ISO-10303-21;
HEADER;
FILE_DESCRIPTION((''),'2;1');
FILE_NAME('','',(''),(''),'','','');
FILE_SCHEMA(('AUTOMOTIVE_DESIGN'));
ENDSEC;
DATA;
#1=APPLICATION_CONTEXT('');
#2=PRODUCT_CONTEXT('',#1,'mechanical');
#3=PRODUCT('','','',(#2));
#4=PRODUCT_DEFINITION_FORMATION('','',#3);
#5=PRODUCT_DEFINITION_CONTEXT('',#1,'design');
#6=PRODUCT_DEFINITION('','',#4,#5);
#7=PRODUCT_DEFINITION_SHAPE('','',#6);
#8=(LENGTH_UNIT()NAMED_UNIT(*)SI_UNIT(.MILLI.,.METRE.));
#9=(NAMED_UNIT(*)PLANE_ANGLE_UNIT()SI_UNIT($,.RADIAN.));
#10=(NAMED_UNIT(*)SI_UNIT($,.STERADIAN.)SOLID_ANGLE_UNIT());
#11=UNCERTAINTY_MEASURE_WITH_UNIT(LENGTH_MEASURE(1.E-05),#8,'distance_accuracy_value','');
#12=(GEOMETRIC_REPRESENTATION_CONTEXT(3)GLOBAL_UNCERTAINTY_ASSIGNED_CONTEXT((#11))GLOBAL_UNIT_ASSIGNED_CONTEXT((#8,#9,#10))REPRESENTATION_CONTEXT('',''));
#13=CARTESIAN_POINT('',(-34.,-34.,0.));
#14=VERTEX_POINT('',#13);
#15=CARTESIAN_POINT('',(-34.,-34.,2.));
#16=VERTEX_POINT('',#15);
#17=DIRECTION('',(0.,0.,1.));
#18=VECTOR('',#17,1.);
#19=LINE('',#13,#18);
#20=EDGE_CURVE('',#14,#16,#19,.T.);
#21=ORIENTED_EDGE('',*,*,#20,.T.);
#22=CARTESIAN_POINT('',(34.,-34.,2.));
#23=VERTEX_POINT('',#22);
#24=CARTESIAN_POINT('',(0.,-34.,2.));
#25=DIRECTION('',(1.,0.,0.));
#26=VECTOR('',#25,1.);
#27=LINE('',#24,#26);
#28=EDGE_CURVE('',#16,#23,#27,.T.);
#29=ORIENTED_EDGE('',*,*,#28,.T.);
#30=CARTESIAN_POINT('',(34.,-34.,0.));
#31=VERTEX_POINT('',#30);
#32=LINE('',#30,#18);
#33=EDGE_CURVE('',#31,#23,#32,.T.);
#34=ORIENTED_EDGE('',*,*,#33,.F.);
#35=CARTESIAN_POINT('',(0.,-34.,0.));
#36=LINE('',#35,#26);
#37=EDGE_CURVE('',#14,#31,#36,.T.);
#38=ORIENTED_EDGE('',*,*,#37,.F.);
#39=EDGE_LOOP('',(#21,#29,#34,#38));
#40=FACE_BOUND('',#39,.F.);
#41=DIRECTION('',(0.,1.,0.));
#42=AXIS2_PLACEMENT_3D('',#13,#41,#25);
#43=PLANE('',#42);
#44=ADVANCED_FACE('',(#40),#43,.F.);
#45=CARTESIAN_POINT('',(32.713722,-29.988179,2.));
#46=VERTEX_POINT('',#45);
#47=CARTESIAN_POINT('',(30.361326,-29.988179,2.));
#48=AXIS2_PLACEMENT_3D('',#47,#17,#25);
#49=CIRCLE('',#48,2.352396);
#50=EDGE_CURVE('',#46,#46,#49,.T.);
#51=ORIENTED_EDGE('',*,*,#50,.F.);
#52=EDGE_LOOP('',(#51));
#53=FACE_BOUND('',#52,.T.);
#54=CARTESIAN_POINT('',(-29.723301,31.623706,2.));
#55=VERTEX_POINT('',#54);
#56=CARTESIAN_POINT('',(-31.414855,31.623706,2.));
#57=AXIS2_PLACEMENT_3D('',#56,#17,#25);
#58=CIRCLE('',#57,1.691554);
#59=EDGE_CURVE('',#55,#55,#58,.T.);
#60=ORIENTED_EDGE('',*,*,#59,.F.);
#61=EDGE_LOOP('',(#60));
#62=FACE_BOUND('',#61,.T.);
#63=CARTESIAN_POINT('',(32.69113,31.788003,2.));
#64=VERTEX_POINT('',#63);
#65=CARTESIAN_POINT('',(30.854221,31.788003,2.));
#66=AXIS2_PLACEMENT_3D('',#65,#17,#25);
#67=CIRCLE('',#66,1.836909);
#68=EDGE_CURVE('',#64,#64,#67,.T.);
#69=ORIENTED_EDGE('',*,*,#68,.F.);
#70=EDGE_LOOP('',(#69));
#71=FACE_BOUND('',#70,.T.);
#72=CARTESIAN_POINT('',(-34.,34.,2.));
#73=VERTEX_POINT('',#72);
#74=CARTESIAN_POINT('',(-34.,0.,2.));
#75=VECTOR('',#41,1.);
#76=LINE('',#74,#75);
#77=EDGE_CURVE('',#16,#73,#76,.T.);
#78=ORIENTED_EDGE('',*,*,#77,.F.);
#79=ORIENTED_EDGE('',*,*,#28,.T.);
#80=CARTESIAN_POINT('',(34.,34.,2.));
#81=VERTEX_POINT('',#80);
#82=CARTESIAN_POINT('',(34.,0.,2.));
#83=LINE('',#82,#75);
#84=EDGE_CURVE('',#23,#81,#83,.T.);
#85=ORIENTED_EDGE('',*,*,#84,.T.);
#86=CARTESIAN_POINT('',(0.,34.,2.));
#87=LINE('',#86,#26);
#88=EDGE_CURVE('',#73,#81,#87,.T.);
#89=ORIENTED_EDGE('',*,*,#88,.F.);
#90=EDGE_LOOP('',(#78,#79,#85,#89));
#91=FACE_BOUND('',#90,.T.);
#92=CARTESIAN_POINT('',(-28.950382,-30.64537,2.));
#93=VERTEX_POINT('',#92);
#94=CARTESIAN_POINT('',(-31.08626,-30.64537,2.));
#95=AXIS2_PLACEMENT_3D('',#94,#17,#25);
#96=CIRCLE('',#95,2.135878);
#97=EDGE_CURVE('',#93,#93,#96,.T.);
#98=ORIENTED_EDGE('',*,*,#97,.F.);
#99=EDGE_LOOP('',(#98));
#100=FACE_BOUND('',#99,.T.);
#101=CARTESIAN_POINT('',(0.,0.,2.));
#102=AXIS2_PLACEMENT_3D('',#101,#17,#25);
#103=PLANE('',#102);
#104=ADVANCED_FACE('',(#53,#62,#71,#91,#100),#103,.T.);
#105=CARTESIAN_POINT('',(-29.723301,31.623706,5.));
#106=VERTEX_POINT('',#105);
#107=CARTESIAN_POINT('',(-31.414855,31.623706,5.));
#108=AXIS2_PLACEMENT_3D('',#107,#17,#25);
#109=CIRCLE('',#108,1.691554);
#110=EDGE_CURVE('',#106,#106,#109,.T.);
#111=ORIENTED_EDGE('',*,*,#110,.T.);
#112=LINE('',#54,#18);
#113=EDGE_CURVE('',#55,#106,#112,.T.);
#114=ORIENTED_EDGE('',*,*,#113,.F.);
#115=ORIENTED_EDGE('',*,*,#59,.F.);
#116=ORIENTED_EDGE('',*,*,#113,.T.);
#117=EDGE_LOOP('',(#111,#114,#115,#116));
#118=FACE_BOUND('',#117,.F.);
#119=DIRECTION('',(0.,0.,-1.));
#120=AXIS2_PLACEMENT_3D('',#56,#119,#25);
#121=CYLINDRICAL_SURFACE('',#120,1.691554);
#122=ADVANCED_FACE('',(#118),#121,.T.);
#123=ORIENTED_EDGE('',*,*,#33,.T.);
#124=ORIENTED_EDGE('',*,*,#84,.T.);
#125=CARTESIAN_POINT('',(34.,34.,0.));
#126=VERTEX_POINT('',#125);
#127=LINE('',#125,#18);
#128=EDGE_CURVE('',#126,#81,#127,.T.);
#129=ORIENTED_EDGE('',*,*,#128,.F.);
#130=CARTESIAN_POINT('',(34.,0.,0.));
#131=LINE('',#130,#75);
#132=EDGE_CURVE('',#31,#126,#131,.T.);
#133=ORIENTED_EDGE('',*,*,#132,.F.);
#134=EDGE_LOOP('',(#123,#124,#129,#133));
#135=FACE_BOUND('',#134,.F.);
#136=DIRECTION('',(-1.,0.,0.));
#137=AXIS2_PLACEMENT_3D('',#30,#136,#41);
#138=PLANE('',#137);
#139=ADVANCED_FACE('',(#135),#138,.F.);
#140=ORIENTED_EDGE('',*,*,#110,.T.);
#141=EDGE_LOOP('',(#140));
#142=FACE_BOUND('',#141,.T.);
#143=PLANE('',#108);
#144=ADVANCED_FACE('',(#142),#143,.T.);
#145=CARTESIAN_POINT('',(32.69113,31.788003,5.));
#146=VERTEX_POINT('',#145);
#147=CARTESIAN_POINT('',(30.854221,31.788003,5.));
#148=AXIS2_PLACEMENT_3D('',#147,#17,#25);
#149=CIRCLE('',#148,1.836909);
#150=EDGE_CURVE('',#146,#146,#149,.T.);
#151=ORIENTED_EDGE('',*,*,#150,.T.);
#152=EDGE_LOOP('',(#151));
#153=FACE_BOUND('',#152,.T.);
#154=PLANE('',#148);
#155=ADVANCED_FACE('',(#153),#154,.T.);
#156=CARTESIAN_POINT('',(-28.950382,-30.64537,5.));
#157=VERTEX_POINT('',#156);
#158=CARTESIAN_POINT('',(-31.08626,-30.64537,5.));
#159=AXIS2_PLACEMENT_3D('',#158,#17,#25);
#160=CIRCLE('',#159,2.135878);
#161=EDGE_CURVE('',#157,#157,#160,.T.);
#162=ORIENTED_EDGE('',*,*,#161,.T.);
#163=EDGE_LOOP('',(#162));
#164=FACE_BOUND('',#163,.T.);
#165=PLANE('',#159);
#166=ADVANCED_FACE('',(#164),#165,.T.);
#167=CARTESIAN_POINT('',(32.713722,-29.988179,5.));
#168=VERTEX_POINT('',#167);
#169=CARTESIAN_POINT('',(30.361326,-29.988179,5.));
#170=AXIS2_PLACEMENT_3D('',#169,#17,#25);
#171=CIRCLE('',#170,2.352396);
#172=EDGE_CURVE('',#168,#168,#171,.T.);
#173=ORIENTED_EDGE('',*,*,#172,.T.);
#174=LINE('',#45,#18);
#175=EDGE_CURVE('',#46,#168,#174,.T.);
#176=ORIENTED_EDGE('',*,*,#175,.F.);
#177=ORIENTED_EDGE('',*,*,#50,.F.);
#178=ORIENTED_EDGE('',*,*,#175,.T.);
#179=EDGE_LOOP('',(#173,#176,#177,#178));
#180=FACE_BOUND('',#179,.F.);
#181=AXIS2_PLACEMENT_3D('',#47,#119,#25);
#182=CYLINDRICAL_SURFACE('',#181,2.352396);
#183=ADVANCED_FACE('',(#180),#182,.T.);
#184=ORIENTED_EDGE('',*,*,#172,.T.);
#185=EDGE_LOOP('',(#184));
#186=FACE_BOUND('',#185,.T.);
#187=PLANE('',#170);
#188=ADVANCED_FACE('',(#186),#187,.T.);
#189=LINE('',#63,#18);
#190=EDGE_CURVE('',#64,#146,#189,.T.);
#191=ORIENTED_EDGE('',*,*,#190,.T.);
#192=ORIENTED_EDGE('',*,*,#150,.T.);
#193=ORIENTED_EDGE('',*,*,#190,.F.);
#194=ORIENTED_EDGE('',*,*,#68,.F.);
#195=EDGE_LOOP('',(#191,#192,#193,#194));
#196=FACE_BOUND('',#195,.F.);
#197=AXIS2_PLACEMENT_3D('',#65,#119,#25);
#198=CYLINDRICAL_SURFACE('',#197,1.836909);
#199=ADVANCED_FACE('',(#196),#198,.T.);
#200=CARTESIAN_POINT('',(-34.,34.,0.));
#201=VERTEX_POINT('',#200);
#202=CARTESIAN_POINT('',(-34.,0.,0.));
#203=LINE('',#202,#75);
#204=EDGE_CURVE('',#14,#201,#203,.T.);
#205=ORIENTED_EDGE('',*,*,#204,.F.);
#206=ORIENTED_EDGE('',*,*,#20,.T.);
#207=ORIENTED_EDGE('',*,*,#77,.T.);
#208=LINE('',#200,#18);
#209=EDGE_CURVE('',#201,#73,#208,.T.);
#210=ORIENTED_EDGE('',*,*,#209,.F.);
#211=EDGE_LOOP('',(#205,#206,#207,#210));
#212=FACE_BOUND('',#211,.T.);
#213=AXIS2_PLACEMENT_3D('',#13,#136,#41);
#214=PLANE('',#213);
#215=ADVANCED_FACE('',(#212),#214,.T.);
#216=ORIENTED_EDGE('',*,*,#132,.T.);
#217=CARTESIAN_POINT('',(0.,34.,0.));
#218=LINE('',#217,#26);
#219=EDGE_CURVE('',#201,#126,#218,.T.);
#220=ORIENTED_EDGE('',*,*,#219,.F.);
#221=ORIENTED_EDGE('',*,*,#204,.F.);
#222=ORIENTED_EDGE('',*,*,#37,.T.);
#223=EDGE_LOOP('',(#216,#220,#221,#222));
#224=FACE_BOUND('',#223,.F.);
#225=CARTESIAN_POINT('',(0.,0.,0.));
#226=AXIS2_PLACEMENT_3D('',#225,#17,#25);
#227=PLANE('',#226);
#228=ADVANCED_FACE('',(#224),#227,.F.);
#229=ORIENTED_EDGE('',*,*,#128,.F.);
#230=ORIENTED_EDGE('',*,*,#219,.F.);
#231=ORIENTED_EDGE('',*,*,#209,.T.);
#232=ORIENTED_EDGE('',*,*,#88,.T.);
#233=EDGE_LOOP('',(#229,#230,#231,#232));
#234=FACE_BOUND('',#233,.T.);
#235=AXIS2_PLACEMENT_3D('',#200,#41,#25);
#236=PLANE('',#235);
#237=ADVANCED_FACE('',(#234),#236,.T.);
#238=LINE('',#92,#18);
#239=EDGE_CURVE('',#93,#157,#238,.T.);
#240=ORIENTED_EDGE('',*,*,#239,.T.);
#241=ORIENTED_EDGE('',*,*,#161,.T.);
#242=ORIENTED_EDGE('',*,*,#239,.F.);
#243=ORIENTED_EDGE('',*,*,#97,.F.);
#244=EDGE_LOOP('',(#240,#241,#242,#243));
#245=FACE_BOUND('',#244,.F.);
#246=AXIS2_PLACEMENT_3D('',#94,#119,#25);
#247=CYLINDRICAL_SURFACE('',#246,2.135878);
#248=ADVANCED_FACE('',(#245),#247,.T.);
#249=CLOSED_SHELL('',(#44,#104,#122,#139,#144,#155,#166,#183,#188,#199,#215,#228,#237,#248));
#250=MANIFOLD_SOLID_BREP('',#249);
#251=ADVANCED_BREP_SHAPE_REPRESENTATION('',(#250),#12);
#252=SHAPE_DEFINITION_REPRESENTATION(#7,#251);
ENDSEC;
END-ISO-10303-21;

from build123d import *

# Parameters (mm, degrees)
F0_W     = 68
F0_H     = 68
F1_DEPTH = 2
F2_R     = 1.691554
F2_R_2   = 1.836909
F2_R_3   = 2.352396
F2_R_4   = 2.135878
F3_DEPTH = 3


with BuildPart() as f1:
    # F0 (on Top) → F1 (new body)
    with BuildSketch(Plane.XY):
        Rectangle(F0_W, F0_H)
    extrude(amount=F1_DEPTH)

    # F2 (on face) → F3 (join)
    with BuildSketch(Plane.XY.offset(2)):
        with Locations((-31.414855, 31.623706)):
            Circle(F2_R)
        with Locations((30.854221, 31.788003)):
            Circle(F2_R_2)
        with Locations((30.361326, -29.988179)):
            Circle(F2_R_3)
        with Locations((-31.08626, -30.64537)):
            Circle(F2_R_4)
    extrude(amount=F3_DEPTH)


solid = f1.part
